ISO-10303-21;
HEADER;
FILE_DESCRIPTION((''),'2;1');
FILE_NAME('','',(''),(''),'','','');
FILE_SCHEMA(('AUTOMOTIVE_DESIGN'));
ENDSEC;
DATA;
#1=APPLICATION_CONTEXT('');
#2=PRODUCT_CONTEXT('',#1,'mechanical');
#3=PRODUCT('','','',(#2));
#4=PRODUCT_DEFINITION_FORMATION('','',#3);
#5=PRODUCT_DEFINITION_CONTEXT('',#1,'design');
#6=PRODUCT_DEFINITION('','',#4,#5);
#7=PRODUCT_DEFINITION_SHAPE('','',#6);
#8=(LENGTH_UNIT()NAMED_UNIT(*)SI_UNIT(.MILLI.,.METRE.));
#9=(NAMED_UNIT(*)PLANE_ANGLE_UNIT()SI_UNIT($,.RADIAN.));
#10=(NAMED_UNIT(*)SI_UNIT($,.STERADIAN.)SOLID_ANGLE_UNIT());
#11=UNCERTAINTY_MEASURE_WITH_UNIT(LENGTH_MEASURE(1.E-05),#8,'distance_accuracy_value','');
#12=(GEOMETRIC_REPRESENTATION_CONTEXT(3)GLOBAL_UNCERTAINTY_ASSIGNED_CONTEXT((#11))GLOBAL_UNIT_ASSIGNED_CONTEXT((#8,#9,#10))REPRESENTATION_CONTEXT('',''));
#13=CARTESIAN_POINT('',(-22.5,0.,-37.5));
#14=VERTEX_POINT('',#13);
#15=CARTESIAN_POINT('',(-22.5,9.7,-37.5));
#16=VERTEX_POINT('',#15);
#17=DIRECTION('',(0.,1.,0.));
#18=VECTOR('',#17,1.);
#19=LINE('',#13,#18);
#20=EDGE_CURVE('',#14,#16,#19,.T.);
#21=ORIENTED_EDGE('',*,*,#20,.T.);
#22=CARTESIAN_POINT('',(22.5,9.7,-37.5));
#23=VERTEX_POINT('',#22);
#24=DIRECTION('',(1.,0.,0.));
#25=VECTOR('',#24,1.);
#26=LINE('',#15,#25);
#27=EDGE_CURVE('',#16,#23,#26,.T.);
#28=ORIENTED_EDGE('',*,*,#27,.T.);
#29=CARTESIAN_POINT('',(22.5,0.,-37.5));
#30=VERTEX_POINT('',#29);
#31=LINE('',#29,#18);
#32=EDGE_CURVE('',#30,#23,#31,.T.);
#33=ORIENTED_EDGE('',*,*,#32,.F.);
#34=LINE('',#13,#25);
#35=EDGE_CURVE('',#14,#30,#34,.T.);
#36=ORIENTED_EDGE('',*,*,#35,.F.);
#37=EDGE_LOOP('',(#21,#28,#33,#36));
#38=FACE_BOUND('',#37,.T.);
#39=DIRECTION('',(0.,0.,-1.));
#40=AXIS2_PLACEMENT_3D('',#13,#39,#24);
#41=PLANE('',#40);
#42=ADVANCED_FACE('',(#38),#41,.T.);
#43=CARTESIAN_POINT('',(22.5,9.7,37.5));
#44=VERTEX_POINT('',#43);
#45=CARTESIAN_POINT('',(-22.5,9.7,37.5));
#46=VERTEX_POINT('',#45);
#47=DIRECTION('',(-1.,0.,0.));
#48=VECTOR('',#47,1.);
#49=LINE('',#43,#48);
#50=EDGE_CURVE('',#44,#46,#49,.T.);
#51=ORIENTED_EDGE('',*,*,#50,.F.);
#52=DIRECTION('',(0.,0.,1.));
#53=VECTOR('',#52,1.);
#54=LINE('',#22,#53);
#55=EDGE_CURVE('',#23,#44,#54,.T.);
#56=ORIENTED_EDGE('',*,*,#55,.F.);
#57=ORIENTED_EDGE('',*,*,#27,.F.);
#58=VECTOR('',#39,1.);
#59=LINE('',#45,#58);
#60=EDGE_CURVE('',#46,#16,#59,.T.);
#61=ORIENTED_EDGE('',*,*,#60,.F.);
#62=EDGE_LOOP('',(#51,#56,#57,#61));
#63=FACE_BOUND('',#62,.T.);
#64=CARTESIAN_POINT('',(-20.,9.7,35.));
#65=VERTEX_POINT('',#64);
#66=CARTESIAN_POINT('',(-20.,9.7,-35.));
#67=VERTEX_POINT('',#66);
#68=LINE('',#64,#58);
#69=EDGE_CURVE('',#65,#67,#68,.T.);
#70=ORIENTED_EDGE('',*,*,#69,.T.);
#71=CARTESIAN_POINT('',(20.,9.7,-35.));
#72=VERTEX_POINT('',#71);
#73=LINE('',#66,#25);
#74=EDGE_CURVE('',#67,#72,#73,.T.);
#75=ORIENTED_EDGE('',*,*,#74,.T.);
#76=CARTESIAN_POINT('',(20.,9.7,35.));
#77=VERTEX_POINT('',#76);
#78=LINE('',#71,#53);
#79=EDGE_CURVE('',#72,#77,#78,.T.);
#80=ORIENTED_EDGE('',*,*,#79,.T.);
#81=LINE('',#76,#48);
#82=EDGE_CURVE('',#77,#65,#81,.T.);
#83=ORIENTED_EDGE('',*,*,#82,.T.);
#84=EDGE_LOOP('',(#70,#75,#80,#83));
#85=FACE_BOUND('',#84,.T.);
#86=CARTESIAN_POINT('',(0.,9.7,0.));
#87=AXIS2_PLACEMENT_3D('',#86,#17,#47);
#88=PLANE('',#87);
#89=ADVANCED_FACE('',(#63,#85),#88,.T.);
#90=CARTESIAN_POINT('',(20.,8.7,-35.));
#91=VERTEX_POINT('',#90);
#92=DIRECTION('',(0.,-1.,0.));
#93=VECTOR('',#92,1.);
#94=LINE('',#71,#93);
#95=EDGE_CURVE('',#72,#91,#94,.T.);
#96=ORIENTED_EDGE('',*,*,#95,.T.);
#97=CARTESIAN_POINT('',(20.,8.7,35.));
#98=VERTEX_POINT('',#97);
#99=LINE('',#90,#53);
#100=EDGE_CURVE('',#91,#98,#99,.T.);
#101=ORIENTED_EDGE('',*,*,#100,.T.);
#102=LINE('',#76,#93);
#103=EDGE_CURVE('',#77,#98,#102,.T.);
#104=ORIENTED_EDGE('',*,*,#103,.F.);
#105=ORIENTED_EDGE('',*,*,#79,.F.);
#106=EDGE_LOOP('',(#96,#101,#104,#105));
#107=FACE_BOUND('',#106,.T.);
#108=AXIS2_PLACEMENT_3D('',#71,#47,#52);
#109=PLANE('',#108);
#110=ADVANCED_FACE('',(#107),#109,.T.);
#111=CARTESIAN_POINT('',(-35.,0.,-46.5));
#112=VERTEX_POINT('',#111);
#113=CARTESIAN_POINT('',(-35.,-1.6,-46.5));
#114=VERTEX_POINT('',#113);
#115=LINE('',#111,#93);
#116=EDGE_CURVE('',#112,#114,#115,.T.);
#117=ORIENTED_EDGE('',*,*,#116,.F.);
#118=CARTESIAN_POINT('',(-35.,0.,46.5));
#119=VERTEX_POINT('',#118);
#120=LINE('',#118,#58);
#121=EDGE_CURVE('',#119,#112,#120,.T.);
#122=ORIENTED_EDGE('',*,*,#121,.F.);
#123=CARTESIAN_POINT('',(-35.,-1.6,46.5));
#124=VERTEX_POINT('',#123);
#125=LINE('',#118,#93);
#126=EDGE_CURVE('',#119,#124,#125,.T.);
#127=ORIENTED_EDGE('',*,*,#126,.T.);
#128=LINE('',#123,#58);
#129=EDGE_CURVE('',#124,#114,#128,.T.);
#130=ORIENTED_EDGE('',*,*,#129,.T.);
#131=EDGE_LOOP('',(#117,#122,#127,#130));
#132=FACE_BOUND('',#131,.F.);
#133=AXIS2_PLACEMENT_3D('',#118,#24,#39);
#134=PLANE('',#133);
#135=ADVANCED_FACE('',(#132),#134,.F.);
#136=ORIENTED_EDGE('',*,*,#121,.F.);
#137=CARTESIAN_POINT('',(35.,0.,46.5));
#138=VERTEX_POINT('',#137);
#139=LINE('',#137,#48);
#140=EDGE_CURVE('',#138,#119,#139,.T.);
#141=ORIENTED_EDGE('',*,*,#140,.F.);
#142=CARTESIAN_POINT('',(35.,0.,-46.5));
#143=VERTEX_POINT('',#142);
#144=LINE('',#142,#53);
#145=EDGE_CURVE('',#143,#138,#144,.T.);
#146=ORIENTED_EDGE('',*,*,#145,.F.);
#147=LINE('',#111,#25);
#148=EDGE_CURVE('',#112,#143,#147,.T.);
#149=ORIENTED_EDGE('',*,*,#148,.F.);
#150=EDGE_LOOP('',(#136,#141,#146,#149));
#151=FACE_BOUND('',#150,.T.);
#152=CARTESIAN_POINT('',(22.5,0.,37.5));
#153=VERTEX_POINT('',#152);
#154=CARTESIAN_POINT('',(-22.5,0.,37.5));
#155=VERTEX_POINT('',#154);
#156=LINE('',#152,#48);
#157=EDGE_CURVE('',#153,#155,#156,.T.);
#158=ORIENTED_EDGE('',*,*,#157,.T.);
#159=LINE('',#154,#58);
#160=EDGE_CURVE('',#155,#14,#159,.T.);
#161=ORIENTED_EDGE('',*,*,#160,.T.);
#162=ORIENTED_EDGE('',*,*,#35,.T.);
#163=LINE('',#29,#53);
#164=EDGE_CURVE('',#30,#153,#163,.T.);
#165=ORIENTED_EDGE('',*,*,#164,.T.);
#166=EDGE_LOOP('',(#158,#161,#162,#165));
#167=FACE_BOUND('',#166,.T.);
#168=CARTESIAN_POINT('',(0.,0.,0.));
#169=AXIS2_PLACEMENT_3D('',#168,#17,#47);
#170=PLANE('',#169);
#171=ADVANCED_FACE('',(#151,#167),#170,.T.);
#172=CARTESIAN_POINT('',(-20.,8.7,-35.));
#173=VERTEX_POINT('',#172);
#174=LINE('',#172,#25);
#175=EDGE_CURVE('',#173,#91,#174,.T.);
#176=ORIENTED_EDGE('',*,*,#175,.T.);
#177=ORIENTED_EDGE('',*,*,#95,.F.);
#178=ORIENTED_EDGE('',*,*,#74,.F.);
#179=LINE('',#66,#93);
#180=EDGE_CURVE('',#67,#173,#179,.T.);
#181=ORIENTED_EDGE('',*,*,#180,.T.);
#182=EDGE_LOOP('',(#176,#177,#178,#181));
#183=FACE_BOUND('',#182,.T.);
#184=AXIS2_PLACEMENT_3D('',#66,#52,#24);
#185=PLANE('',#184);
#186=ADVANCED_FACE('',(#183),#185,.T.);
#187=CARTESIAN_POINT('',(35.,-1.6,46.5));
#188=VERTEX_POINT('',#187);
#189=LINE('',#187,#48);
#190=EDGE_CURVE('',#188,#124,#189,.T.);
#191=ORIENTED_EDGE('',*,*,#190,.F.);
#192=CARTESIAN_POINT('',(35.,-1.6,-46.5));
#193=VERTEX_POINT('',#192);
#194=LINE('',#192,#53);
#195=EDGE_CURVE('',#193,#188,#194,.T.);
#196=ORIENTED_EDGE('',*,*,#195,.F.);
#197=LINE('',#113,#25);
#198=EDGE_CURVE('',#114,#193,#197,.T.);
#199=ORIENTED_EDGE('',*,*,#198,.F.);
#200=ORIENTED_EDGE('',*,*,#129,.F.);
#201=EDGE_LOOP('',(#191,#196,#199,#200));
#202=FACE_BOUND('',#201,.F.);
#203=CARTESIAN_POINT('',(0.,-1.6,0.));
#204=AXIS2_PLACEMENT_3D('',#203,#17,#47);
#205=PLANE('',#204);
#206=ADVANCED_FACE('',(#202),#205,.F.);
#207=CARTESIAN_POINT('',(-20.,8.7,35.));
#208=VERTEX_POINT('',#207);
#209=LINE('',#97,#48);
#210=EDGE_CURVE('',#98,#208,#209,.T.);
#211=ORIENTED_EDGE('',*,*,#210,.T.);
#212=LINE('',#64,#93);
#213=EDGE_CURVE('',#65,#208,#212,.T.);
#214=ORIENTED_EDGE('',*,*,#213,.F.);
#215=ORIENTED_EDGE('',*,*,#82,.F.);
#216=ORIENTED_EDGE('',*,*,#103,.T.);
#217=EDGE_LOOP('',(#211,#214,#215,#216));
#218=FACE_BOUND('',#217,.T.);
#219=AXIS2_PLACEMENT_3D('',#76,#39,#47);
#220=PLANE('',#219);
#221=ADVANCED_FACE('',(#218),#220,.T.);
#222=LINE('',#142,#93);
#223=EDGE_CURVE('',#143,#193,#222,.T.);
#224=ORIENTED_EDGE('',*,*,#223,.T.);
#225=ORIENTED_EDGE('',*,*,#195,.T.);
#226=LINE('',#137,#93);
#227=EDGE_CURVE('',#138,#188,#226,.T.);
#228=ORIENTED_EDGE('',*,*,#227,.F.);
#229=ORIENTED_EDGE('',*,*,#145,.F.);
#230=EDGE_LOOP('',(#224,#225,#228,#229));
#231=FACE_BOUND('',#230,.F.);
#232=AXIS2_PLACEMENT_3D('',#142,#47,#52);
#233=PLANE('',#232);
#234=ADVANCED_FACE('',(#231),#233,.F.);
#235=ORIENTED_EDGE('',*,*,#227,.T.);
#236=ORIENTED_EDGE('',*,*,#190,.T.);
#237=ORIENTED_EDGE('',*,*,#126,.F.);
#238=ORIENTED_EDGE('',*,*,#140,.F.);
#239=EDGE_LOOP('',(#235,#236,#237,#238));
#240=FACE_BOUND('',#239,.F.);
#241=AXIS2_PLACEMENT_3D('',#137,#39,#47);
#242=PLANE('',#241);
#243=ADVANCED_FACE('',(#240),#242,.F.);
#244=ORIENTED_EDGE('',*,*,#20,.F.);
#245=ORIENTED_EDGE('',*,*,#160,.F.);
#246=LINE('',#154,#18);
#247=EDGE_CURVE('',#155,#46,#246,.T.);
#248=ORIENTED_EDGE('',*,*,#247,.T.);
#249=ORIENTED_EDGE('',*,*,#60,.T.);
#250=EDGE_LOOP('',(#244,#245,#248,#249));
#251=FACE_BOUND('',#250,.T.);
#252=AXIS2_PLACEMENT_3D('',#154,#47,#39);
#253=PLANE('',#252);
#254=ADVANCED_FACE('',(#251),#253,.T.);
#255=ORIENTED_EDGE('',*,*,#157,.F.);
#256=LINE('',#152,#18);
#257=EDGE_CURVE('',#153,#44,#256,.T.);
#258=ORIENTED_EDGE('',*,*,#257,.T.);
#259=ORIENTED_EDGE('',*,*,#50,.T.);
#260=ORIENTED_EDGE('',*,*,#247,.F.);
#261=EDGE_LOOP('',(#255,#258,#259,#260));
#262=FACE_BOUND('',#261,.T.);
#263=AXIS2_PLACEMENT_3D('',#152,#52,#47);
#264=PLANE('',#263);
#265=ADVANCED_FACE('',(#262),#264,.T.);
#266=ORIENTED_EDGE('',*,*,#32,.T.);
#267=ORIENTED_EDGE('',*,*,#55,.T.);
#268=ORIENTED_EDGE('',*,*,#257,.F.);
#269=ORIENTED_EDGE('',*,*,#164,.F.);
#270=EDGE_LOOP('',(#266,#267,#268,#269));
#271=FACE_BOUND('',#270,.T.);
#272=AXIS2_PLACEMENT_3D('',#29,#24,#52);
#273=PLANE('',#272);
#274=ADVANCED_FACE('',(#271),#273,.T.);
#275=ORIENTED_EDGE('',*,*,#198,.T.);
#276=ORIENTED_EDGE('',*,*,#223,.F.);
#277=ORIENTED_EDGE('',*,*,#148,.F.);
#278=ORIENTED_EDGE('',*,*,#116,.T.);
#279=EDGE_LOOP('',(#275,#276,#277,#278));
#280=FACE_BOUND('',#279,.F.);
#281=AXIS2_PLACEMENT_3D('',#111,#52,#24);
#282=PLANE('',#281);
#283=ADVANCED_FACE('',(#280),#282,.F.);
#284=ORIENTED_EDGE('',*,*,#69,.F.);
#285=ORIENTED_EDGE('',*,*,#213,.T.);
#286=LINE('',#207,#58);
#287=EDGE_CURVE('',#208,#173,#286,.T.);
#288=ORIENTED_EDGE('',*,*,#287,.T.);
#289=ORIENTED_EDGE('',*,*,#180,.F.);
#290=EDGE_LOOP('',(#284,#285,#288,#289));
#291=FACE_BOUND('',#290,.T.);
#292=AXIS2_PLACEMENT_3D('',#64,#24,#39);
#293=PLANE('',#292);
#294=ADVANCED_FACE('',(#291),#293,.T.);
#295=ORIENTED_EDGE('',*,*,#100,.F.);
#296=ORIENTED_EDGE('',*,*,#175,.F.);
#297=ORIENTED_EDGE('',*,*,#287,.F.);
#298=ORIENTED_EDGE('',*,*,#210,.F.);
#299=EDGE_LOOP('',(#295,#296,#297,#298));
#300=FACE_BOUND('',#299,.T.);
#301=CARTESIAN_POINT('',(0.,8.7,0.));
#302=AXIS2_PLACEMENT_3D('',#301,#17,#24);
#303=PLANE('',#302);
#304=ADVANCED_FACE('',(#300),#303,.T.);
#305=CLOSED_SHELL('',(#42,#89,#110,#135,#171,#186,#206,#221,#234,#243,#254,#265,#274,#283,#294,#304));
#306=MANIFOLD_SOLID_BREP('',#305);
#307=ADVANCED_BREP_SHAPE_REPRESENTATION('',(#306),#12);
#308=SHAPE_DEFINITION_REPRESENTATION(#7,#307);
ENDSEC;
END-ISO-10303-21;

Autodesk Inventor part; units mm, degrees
ref_plane "YZ Plane" through (0, 0, 0) normal (1, 0, 0) x (0, 1, 0)
ref_plane "XZ Plane" through (0, 0, 0) normal (0, 1, 0) x (-1, 0, 0)
ref_plane "XY Plane" through (0, 0, 0) normal (0, 0, 1) x (1, 0, 0)
sketch "Sketch1" plane through (0, 0, 0) normal (0, 1, 0) x (-1, 0, 0)
  line L0 (-35, 46.5) -> (35, 46.5)
  line L1 (35, 46.5) -> (35, -46.5)
  line L2 (35, -46.5) -> (-35, -46.5)
  line L3 (-35, -46.5) -> (-35, 46.5)
  line L4 (-35, 46.5) -> (35, -46.5) construction
  line L5 (35, 46.5) -> (-35, -46.5) construction
  line L6 (-22.5, 37.5) -> (22.5, 37.5)
  line L7 (22.5, 37.5) -> (22.5, -37.5)
  line L8 (22.5, -37.5) -> (-22.5, -37.5)
  line L9 (-22.5, -37.5) -> (-22.5, 37.5)
  line L10 (-22.5, 37.5) -> (22.5, -37.5) construction
  line L11 (22.5, 37.5) -> (-22.5, -37.5) construction
  point P0 (0, 0)
  dimension "d0" = 70
  dimension "d1" = 93
  dimension "d2" = 45
  dimension "d3" = 75
extrude "Extrusion1" add sketch "Sketch1" against normal blind 1.6 contours L0 L1 L2 L3 | L6 L7 L8 L9
extrude "Extrusion2" add sketch "Sketch1" along normal blind 9.7 contours L6 L7 L8 L9
sketch "Sketch2" plane through (0, 9.7, 0) normal (0, 1, 0) x (1, 0, 0)
  line L0 (20, -35) -> (-20, -35)
  line L1 (-20, -35) -> (-20, 35)
  line L2 (-20, 35) -> (20, 35)
  line L3 (20, 35) -> (20, -35)
  line L4 (20, -35) -> (-20, 35) construction
  line L5 (-20, -35) -> (20, 35) construction
  point P0 (0, 0)
  dimension "d8" = 40
  dimension "d9" = 70
extrude "Extrusion3" cut sketch "Sketch2" against normal blind 1
properties part number "LCD12864"
